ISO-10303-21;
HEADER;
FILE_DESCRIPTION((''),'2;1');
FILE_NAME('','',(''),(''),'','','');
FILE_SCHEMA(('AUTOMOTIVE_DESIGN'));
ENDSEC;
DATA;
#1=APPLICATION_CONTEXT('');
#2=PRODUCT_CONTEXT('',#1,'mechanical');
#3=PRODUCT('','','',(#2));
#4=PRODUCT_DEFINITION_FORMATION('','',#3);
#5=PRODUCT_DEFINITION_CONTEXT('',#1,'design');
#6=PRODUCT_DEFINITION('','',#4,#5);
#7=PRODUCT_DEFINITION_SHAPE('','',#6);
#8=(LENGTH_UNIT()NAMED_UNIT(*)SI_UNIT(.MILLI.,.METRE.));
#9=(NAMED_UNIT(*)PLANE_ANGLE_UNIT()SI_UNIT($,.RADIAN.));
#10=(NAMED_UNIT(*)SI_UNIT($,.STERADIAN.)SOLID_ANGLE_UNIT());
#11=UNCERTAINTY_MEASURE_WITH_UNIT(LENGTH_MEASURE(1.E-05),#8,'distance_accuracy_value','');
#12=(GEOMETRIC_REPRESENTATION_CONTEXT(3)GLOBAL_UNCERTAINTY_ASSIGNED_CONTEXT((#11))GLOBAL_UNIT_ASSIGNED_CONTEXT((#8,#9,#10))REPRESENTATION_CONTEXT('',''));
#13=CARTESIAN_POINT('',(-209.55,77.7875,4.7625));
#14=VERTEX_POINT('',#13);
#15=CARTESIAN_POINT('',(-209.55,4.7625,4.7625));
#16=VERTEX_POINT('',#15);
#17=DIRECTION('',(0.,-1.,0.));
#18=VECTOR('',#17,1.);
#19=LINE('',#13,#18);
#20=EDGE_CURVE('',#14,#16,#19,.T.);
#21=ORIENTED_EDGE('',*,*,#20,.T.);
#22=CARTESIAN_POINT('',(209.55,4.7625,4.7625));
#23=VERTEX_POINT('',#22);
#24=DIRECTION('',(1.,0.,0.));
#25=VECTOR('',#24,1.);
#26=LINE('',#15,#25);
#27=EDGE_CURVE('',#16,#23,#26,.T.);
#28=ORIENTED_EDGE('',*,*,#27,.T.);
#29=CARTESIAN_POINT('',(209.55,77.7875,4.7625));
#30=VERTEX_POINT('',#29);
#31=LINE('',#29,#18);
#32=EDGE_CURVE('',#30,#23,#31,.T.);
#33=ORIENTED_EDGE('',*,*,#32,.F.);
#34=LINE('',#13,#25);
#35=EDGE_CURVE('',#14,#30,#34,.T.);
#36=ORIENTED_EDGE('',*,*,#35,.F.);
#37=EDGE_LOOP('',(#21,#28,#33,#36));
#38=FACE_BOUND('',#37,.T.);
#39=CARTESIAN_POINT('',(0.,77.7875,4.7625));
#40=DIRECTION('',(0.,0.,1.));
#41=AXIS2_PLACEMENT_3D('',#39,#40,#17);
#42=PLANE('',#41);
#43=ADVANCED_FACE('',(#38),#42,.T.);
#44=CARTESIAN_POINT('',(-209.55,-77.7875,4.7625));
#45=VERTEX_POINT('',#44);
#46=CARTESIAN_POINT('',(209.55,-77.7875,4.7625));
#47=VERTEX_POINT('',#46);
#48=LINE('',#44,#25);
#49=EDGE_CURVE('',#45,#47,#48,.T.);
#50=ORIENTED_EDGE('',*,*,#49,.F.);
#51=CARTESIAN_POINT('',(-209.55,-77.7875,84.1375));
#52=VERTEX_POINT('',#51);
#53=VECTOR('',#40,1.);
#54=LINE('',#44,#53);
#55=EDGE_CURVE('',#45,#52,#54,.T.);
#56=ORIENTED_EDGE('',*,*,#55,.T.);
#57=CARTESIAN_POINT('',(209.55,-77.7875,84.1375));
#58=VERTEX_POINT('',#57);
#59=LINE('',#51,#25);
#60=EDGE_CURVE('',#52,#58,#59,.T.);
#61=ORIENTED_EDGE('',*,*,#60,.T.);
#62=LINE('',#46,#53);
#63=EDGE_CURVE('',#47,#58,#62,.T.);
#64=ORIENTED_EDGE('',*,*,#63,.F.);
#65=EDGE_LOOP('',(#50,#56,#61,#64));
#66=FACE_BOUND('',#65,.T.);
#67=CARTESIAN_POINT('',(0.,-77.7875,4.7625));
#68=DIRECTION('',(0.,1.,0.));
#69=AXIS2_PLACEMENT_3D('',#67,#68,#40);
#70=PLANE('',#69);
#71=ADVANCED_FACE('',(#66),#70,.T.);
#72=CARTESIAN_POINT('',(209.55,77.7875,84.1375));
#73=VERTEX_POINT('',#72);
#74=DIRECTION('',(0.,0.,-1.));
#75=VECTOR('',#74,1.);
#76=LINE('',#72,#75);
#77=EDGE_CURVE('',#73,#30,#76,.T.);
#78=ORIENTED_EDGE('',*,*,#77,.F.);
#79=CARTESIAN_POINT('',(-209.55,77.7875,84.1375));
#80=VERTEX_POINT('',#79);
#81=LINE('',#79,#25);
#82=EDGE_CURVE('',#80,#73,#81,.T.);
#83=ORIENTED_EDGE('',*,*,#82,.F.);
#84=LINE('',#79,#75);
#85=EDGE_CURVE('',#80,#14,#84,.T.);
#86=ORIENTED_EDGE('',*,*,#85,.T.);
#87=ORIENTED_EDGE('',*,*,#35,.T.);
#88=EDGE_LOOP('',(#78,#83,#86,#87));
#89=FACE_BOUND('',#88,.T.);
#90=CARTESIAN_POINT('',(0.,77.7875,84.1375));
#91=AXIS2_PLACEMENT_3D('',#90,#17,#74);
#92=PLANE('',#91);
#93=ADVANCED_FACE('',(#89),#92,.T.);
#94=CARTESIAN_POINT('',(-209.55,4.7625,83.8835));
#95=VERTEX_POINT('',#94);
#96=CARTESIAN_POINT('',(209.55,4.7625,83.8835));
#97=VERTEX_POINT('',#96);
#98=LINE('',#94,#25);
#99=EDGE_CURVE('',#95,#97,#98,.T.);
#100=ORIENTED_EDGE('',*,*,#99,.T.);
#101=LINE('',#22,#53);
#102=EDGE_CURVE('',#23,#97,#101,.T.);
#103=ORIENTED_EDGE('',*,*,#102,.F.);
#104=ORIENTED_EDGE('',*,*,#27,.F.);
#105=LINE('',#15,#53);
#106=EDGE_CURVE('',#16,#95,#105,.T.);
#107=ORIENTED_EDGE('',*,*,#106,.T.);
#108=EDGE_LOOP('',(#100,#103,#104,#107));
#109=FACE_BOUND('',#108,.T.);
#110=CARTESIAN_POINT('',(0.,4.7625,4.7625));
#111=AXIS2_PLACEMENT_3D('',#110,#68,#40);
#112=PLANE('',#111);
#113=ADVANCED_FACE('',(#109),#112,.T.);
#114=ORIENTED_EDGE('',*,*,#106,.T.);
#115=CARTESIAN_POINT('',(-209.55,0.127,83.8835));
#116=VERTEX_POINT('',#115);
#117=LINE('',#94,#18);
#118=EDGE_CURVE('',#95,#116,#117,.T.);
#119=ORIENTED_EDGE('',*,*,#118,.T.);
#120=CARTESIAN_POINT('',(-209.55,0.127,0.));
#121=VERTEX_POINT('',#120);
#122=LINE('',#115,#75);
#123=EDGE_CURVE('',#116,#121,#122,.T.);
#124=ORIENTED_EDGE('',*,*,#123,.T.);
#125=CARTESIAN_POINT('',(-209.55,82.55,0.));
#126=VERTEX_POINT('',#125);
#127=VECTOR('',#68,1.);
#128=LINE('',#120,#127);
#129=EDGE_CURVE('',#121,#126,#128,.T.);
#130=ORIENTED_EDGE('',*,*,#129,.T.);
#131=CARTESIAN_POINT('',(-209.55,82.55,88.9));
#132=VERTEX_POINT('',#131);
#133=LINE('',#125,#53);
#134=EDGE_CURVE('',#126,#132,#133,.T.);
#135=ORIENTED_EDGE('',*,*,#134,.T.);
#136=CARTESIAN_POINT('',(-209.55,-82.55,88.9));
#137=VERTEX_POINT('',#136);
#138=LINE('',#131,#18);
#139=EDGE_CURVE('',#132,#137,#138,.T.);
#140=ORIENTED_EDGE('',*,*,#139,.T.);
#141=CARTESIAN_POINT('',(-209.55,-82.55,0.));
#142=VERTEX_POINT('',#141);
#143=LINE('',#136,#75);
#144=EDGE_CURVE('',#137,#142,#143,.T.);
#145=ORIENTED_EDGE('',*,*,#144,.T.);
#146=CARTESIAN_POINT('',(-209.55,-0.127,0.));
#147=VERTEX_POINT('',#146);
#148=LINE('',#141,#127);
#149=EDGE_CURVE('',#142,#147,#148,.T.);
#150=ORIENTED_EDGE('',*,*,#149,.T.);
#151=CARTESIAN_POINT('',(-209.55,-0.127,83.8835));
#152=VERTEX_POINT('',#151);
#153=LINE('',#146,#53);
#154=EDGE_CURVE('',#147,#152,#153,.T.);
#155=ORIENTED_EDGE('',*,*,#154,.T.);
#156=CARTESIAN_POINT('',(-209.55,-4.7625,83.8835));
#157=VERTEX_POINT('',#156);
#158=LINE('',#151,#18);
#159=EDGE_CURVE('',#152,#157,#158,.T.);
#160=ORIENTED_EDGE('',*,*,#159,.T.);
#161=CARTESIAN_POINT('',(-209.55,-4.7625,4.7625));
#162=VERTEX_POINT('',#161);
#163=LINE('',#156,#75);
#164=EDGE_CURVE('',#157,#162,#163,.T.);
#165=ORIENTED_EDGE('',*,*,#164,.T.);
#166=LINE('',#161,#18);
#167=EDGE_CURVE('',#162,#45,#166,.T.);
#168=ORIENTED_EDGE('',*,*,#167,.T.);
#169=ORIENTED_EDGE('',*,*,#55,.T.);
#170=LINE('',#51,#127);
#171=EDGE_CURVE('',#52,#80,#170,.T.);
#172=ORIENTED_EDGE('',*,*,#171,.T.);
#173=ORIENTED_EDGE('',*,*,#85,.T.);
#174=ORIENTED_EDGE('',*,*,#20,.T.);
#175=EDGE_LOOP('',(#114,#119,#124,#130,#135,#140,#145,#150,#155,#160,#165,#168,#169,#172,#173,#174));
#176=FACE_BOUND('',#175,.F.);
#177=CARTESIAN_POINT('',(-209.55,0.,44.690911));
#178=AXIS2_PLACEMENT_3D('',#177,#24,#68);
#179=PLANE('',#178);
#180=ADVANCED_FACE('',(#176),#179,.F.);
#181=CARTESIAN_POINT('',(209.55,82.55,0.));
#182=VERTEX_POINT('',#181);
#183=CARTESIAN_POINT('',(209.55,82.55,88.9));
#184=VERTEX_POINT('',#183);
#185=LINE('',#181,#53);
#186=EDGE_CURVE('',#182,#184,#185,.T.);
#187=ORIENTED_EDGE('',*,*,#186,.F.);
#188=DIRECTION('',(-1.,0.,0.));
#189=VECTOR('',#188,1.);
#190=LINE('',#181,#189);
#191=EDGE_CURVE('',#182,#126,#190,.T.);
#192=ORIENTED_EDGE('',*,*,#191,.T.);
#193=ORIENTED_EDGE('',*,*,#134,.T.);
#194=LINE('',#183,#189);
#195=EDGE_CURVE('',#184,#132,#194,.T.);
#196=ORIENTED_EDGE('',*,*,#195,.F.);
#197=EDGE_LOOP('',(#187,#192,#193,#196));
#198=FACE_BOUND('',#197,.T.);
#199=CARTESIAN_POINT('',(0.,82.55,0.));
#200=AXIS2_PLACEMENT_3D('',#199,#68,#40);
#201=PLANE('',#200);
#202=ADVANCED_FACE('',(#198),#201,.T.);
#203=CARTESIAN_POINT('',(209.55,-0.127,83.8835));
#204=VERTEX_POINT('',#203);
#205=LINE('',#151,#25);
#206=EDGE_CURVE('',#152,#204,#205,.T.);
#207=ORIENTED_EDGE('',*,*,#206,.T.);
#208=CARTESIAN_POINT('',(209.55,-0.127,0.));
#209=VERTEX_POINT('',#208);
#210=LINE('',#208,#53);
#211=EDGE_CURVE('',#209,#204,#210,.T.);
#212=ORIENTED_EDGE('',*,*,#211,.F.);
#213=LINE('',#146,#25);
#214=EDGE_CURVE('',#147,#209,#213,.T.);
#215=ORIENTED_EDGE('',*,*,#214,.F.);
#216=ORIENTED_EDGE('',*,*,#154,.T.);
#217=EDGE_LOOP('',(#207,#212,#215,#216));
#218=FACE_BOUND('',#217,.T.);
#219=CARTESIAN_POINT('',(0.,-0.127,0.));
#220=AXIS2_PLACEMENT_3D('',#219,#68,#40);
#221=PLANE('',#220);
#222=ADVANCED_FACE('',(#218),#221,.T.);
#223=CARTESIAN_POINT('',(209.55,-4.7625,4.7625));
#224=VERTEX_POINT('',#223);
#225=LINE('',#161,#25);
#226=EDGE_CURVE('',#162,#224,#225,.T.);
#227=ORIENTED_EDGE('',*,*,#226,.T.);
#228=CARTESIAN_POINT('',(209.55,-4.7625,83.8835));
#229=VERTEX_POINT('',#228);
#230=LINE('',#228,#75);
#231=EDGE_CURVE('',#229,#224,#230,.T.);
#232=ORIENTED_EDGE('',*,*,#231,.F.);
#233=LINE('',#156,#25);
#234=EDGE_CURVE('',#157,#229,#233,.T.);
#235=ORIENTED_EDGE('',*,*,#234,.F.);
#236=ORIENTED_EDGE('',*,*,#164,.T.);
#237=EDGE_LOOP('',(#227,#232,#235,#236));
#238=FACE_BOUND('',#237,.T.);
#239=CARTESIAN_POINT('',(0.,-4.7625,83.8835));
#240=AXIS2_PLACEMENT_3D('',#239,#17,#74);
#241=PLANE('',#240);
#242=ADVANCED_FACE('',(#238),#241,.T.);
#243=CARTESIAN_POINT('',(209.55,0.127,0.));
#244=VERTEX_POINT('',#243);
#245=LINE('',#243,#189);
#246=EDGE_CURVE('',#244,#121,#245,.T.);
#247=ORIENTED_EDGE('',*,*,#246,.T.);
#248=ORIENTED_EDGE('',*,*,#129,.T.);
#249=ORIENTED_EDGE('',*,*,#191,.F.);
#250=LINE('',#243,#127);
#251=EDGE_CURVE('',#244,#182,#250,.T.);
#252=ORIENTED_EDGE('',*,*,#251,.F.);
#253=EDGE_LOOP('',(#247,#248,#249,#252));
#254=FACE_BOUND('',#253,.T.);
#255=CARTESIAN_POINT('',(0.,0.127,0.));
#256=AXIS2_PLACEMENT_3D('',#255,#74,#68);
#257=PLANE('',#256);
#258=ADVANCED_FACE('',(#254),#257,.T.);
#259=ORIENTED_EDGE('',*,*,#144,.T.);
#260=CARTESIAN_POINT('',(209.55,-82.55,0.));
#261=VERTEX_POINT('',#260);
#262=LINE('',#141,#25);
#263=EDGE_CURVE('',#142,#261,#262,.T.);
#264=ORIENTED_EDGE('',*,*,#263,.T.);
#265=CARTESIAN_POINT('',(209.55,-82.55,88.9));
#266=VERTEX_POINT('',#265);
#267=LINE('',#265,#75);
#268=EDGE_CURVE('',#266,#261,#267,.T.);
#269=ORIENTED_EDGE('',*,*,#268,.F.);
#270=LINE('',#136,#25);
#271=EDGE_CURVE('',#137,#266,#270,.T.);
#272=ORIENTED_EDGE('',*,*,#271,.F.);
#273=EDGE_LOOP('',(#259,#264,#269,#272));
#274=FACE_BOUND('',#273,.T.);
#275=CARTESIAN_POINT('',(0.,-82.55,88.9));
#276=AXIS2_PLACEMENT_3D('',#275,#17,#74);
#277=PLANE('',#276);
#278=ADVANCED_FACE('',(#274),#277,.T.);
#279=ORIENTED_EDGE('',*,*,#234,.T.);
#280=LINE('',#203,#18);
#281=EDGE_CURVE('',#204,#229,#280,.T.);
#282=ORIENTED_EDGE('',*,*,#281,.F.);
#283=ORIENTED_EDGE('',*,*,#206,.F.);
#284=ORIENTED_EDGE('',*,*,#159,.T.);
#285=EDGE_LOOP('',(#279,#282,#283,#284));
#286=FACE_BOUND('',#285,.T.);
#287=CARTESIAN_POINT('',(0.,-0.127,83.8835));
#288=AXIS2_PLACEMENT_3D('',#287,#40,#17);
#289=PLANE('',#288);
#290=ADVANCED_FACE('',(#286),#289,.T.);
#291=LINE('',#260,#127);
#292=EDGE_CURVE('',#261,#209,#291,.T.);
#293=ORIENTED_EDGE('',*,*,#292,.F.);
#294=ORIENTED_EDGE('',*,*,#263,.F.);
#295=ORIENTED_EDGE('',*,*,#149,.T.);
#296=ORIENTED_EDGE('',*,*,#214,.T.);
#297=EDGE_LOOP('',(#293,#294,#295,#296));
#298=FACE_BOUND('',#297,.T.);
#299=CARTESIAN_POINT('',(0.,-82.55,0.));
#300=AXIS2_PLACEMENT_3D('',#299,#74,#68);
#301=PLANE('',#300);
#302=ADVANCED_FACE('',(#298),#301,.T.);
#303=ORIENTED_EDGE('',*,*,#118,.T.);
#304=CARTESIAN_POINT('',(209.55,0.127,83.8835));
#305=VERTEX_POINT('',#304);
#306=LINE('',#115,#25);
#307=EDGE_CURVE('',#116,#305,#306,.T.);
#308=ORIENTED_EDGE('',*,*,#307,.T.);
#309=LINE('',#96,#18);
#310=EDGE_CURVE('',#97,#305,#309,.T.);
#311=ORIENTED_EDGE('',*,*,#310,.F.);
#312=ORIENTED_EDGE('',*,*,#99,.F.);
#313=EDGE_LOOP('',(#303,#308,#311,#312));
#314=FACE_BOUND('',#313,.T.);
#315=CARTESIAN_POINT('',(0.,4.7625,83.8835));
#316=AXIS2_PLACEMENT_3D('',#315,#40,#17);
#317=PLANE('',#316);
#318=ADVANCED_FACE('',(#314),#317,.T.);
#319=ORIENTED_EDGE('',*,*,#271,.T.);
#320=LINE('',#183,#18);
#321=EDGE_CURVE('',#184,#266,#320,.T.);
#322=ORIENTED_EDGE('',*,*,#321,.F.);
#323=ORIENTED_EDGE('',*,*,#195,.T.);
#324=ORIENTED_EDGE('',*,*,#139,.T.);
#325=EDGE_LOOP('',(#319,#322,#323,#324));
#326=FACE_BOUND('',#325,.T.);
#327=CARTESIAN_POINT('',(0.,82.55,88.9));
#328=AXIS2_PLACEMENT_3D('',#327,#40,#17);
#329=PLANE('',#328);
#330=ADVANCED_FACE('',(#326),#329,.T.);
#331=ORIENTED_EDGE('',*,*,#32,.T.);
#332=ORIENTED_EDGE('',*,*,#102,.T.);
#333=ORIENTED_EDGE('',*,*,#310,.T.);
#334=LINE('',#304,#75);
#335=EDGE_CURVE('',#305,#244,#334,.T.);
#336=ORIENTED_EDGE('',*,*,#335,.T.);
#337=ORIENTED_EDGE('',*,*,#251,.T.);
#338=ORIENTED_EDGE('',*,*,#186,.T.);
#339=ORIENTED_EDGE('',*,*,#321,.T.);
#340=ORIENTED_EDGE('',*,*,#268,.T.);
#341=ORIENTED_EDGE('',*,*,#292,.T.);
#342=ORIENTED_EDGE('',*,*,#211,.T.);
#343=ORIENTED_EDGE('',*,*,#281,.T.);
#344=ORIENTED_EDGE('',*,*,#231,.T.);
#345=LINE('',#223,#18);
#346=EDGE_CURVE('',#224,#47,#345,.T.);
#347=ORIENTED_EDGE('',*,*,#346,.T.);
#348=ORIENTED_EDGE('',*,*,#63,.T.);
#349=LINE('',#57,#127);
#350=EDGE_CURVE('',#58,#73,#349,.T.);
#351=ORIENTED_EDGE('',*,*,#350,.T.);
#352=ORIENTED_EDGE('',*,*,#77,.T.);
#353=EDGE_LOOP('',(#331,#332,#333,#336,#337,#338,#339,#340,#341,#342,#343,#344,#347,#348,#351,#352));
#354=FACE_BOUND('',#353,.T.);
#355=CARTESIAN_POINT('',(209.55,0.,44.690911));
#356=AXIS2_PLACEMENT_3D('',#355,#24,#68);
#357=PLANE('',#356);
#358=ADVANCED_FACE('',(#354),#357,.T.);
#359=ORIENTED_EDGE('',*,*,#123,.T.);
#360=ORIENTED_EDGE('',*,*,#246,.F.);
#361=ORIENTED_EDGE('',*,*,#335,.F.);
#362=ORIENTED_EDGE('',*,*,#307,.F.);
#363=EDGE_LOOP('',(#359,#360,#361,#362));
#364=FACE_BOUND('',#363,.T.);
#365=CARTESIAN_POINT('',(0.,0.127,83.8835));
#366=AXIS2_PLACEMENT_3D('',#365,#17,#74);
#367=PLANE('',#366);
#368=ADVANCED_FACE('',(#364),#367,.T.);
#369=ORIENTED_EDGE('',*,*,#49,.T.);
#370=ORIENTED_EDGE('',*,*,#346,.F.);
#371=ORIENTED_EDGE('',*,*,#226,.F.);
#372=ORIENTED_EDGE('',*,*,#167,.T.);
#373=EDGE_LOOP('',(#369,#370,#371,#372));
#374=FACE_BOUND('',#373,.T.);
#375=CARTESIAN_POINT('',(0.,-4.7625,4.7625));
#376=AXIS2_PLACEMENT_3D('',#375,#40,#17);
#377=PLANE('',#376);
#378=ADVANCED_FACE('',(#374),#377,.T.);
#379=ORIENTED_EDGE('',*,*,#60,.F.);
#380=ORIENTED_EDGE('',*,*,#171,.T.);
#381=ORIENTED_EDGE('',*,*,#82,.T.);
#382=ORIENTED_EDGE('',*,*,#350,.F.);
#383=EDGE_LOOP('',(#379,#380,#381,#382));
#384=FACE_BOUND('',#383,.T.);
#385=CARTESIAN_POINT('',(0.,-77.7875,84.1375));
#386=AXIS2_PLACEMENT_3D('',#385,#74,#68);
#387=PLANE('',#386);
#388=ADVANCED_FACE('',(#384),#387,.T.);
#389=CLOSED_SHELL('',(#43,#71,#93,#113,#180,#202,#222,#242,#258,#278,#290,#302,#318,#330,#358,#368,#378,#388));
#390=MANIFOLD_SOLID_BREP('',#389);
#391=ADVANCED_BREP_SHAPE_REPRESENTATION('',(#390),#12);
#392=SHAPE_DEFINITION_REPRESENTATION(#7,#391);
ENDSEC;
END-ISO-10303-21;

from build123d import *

# Parameters (mm, degrees)
F1_DEPTH = 209.55


with BuildPart() as f1:
    # F0 (on Right) → F1 (new body, symmetric)
    with BuildSketch(Plane.YZ):
        Polygon((82.55, 88.9), (-82.55, 88.9), (-82.55, 0), (-0.127, 0), (-0.127, 83.8835), (-4.7625, 83.8835), (-4.7625, 4.7625), (-77.7875, 4.7625), (-77.7875, 84.1375), (77.7875, 84.1375), (77.7875, 4.7625), (4.7625, 4.7625), (4.7625, 83.8835), (0.127, 83.8835), (0.127, 0), (82.55, 0), align=None)
    extrude(amount=F1_DEPTH, both=True)


solid = f1.part
